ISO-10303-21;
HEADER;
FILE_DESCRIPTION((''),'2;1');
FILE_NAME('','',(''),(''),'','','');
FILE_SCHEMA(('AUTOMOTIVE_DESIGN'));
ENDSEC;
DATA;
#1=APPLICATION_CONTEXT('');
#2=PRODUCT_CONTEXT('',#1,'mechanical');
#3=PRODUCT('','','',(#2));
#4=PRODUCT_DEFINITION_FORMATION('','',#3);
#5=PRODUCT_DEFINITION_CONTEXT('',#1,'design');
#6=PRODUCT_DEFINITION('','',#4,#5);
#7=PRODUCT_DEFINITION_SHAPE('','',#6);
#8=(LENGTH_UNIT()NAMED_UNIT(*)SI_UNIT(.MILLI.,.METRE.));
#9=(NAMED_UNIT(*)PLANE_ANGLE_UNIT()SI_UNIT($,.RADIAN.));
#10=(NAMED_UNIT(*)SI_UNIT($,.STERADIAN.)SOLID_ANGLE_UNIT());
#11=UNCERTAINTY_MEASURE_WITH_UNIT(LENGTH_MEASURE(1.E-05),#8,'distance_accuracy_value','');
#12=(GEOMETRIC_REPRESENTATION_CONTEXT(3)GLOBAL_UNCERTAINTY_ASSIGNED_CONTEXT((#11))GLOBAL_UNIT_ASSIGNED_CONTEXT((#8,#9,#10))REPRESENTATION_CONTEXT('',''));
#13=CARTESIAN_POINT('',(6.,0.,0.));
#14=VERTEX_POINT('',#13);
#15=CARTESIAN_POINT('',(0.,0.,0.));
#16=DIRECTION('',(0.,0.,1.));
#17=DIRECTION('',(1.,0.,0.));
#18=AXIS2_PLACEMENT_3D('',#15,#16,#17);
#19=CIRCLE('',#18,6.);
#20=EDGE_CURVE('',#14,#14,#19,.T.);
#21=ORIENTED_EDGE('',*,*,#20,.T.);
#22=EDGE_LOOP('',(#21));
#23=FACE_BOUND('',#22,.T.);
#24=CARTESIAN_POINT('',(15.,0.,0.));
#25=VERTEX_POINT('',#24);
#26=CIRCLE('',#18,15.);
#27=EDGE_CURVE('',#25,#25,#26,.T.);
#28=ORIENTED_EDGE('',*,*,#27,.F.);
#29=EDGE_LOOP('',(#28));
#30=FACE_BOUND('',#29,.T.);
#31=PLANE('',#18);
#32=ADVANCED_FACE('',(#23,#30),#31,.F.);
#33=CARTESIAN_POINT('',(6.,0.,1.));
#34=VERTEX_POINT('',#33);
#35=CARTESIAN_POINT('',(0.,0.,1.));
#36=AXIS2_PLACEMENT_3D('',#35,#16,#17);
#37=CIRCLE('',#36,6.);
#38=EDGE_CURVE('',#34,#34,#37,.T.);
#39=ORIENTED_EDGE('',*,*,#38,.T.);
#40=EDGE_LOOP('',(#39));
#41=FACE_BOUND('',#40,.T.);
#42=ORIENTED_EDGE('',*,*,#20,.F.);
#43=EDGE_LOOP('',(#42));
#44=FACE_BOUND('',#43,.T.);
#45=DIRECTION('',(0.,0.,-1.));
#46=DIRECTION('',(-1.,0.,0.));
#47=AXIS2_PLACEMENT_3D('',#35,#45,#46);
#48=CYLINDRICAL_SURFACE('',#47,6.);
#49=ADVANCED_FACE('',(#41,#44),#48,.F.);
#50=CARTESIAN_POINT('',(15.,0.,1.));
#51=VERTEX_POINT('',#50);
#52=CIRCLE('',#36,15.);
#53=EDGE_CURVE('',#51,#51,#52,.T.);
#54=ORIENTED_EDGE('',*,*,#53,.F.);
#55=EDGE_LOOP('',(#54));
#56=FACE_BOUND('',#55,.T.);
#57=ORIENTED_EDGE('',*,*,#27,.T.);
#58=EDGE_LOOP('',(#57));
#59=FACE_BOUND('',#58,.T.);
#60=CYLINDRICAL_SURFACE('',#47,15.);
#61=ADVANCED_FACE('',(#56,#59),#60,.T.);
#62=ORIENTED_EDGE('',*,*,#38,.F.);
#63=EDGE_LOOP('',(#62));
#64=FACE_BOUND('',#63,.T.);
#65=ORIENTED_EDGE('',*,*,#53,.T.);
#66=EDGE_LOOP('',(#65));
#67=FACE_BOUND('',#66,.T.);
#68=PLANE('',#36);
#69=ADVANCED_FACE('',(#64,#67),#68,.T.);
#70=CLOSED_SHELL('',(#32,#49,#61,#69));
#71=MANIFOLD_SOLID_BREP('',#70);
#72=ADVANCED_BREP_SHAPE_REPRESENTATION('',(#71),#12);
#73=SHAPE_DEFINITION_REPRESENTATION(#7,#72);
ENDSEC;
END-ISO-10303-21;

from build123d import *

# Parameters (mm, degrees)
SKETCH_1_R      = 15
SKETCH_1_R_2    = 6
EXTRUDE_1_DEPTH = 1


with BuildPart() as part:
    # Эскиз1 → Бобышка-Вытянуть1 (new body)
    with BuildSketch(Plane.XY):
        Circle(SKETCH_1_R)
        Circle(SKETCH_1_R_2, mode=Mode.SUBTRACT)
    extrude(amount=EXTRUDE_1_DEPTH)


solid = part.part
